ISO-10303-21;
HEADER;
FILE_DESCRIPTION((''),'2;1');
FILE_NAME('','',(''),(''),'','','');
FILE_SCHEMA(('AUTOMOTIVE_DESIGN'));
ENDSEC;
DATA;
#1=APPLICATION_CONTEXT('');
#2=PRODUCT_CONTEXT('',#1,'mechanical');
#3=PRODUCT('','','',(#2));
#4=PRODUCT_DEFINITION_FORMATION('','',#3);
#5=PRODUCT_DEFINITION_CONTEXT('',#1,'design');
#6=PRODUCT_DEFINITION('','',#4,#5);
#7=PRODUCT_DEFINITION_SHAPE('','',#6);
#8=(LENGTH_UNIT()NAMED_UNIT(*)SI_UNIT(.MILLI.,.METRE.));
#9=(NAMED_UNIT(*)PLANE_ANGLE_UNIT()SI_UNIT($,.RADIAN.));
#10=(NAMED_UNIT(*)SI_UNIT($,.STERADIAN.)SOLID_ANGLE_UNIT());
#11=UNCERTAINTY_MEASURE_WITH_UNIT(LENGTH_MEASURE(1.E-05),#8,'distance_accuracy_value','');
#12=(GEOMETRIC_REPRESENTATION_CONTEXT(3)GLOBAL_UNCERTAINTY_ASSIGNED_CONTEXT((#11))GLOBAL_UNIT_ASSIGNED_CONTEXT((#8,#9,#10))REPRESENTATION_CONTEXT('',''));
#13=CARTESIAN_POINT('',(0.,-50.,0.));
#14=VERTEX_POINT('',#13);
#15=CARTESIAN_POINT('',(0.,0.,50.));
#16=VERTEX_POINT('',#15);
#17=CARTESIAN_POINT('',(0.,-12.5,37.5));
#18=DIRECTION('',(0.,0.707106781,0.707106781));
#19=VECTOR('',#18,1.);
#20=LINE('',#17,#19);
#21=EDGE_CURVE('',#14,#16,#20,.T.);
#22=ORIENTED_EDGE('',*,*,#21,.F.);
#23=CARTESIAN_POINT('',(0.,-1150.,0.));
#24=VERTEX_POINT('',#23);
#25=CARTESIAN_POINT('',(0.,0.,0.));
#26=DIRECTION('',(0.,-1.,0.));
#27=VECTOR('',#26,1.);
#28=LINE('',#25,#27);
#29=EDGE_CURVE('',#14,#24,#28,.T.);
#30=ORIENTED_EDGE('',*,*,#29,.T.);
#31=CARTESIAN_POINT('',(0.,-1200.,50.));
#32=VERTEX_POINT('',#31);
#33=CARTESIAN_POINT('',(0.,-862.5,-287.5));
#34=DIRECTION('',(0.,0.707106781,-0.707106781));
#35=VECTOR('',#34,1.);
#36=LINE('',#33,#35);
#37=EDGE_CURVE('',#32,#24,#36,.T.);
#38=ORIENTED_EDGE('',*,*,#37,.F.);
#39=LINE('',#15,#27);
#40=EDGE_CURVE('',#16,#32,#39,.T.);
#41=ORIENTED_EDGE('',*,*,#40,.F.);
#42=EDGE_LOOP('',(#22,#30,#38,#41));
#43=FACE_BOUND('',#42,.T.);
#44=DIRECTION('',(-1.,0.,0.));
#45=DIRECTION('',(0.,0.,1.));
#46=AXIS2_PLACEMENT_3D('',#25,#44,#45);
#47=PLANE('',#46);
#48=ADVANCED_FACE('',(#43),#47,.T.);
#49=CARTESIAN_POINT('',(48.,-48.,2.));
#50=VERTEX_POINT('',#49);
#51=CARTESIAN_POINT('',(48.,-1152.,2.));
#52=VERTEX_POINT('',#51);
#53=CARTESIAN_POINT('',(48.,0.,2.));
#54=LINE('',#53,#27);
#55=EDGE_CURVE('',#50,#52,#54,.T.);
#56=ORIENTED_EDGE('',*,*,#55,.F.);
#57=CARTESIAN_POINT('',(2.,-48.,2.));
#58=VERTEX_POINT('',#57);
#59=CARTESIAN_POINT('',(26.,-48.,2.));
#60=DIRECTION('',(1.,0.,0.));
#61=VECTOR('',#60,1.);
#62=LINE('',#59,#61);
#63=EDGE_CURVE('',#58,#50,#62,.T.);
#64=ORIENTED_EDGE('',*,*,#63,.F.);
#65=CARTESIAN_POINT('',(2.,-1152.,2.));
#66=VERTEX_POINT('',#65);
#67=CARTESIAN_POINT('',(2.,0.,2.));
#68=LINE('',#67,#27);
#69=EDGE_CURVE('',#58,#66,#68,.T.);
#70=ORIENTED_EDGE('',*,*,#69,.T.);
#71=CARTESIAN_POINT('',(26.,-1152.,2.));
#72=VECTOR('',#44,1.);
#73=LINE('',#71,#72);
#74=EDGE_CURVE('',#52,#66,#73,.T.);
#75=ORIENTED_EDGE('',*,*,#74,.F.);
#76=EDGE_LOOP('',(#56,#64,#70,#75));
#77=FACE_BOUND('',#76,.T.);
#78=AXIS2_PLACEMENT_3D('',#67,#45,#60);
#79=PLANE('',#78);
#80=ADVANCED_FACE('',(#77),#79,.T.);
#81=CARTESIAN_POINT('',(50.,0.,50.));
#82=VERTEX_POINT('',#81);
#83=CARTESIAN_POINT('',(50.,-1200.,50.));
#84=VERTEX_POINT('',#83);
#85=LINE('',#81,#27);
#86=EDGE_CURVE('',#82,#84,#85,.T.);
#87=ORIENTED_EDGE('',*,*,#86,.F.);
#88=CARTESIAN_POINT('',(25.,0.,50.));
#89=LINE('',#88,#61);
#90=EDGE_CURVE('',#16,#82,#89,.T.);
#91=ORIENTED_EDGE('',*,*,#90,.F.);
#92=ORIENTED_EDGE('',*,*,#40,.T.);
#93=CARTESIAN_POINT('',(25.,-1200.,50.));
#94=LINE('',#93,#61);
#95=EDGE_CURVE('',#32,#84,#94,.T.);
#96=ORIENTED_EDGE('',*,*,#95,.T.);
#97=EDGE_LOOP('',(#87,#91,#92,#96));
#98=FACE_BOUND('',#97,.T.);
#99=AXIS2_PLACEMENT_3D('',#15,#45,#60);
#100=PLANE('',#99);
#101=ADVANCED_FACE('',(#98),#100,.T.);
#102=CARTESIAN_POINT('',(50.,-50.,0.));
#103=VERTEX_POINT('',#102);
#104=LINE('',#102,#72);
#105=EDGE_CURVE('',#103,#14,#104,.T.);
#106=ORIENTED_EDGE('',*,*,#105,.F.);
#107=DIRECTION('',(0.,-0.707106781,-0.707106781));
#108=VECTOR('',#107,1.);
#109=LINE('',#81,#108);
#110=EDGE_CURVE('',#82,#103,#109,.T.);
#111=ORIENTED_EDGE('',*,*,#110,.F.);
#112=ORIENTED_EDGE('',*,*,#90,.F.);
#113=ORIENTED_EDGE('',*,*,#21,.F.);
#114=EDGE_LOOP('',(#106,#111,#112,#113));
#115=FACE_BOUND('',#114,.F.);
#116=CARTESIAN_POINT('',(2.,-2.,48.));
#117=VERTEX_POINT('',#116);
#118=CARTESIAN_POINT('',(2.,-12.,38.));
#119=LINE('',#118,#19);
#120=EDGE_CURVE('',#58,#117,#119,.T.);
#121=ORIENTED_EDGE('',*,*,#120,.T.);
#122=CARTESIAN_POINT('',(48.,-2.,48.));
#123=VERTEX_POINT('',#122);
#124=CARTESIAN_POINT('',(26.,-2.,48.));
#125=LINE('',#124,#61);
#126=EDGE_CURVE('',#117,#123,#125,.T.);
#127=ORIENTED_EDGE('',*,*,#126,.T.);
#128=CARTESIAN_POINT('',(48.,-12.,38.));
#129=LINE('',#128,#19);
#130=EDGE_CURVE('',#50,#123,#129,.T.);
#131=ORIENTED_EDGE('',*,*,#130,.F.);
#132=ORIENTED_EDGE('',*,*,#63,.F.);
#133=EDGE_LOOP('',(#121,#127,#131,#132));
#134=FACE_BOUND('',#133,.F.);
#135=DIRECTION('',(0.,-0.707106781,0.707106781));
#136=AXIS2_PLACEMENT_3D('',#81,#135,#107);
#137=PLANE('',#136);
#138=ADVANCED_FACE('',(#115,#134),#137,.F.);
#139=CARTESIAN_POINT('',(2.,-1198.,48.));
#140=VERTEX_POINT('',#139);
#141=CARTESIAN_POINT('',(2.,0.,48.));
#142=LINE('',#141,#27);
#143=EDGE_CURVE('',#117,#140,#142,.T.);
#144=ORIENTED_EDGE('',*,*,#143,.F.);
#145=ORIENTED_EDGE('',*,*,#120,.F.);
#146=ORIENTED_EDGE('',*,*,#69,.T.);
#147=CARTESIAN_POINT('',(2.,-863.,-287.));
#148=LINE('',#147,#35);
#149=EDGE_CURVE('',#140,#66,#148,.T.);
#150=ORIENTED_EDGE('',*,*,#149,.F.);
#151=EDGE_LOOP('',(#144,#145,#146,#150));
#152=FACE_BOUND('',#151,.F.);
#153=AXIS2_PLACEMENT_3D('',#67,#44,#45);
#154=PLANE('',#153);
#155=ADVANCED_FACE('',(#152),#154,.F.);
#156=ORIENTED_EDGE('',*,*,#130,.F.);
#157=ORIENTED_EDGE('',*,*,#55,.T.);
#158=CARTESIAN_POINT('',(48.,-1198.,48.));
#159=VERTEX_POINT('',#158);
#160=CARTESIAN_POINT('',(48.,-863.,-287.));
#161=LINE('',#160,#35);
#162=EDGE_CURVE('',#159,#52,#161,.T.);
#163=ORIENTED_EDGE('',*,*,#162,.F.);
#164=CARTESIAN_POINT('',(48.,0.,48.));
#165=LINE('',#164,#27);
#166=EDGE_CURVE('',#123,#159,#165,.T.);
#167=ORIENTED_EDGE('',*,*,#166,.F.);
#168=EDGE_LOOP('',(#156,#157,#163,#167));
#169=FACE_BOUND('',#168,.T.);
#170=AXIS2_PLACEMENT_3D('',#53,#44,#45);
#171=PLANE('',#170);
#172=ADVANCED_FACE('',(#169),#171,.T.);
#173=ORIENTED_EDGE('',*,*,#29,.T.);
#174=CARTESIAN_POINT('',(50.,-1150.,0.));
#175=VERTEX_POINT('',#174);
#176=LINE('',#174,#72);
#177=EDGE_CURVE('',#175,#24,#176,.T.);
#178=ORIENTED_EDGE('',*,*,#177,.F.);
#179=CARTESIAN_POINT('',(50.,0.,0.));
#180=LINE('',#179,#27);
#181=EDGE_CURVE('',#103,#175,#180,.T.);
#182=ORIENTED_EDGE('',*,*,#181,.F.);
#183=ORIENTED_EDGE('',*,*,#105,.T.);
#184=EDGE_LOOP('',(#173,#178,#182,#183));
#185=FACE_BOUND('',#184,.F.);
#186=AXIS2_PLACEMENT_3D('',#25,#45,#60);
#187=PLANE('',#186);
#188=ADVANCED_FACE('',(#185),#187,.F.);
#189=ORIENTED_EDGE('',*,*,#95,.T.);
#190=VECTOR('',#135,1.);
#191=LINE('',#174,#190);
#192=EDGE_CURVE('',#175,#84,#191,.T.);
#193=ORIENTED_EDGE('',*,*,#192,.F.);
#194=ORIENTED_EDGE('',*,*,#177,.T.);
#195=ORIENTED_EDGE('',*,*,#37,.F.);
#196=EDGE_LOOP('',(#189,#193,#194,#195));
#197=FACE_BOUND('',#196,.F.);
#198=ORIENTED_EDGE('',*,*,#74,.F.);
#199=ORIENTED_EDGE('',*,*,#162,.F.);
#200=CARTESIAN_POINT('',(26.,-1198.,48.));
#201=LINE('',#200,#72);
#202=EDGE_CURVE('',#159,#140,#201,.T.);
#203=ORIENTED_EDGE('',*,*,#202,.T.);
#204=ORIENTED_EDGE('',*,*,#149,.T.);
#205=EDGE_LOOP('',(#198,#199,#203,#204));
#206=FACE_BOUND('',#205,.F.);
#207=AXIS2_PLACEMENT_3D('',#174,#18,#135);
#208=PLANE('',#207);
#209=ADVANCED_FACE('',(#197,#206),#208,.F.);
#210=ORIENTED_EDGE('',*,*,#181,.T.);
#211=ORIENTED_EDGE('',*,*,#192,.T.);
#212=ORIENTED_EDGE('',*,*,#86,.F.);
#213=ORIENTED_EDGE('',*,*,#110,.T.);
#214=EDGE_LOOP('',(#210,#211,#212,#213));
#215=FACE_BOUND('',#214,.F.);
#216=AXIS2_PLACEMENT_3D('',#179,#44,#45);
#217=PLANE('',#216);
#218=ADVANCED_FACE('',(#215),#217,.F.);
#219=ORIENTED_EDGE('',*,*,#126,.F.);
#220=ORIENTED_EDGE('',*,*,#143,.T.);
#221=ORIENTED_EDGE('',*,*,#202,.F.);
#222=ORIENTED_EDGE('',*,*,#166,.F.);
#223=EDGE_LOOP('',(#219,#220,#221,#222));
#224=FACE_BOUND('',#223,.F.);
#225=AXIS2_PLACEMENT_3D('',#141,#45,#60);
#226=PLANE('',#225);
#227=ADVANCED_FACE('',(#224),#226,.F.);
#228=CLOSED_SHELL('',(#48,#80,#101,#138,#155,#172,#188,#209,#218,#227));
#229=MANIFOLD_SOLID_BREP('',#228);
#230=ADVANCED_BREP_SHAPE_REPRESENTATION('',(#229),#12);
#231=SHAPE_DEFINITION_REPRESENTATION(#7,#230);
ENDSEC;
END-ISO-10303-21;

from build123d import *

# Parameters (mm, degrees)
F0_W     = 50
F0_H     = 50
F0_W_2   = 46
F0_H_2   = 46
F1_DEPTH = 1200
F3_DEPTH = 50.001
F5_DEPTH = 50.001


with BuildPart() as f1:
    # F0 (on Front) → F1 (new body)
    with BuildSketch(Plane.XZ):
        with Locations((25, 25)):
            Rectangle(F0_W, F0_H)
        with Locations((25, 25)):
            Rectangle(F0_W_2, F0_H_2, mode=Mode.SUBTRACT)
    extrude(amount=F1_DEPTH)

    # F2 (on face) → F3 (cut, through all)
    with BuildSketch(Plane.YZ.offset(50)):
        Polygon((-1150, 0), (-1200, 50), (-1200, 0), align=None)
    extrude(amount=-F3_DEPTH, mode=Mode.SUBTRACT)

    # F4 (on face) → F5 (cut, through all)
    with BuildSketch(Plane.YZ.offset(50)):
        Polygon((0, 50), (-50, 0), (0, 0), align=None)
    extrude(amount=-F5_DEPTH, mode=Mode.SUBTRACT)


solid = f1.part
